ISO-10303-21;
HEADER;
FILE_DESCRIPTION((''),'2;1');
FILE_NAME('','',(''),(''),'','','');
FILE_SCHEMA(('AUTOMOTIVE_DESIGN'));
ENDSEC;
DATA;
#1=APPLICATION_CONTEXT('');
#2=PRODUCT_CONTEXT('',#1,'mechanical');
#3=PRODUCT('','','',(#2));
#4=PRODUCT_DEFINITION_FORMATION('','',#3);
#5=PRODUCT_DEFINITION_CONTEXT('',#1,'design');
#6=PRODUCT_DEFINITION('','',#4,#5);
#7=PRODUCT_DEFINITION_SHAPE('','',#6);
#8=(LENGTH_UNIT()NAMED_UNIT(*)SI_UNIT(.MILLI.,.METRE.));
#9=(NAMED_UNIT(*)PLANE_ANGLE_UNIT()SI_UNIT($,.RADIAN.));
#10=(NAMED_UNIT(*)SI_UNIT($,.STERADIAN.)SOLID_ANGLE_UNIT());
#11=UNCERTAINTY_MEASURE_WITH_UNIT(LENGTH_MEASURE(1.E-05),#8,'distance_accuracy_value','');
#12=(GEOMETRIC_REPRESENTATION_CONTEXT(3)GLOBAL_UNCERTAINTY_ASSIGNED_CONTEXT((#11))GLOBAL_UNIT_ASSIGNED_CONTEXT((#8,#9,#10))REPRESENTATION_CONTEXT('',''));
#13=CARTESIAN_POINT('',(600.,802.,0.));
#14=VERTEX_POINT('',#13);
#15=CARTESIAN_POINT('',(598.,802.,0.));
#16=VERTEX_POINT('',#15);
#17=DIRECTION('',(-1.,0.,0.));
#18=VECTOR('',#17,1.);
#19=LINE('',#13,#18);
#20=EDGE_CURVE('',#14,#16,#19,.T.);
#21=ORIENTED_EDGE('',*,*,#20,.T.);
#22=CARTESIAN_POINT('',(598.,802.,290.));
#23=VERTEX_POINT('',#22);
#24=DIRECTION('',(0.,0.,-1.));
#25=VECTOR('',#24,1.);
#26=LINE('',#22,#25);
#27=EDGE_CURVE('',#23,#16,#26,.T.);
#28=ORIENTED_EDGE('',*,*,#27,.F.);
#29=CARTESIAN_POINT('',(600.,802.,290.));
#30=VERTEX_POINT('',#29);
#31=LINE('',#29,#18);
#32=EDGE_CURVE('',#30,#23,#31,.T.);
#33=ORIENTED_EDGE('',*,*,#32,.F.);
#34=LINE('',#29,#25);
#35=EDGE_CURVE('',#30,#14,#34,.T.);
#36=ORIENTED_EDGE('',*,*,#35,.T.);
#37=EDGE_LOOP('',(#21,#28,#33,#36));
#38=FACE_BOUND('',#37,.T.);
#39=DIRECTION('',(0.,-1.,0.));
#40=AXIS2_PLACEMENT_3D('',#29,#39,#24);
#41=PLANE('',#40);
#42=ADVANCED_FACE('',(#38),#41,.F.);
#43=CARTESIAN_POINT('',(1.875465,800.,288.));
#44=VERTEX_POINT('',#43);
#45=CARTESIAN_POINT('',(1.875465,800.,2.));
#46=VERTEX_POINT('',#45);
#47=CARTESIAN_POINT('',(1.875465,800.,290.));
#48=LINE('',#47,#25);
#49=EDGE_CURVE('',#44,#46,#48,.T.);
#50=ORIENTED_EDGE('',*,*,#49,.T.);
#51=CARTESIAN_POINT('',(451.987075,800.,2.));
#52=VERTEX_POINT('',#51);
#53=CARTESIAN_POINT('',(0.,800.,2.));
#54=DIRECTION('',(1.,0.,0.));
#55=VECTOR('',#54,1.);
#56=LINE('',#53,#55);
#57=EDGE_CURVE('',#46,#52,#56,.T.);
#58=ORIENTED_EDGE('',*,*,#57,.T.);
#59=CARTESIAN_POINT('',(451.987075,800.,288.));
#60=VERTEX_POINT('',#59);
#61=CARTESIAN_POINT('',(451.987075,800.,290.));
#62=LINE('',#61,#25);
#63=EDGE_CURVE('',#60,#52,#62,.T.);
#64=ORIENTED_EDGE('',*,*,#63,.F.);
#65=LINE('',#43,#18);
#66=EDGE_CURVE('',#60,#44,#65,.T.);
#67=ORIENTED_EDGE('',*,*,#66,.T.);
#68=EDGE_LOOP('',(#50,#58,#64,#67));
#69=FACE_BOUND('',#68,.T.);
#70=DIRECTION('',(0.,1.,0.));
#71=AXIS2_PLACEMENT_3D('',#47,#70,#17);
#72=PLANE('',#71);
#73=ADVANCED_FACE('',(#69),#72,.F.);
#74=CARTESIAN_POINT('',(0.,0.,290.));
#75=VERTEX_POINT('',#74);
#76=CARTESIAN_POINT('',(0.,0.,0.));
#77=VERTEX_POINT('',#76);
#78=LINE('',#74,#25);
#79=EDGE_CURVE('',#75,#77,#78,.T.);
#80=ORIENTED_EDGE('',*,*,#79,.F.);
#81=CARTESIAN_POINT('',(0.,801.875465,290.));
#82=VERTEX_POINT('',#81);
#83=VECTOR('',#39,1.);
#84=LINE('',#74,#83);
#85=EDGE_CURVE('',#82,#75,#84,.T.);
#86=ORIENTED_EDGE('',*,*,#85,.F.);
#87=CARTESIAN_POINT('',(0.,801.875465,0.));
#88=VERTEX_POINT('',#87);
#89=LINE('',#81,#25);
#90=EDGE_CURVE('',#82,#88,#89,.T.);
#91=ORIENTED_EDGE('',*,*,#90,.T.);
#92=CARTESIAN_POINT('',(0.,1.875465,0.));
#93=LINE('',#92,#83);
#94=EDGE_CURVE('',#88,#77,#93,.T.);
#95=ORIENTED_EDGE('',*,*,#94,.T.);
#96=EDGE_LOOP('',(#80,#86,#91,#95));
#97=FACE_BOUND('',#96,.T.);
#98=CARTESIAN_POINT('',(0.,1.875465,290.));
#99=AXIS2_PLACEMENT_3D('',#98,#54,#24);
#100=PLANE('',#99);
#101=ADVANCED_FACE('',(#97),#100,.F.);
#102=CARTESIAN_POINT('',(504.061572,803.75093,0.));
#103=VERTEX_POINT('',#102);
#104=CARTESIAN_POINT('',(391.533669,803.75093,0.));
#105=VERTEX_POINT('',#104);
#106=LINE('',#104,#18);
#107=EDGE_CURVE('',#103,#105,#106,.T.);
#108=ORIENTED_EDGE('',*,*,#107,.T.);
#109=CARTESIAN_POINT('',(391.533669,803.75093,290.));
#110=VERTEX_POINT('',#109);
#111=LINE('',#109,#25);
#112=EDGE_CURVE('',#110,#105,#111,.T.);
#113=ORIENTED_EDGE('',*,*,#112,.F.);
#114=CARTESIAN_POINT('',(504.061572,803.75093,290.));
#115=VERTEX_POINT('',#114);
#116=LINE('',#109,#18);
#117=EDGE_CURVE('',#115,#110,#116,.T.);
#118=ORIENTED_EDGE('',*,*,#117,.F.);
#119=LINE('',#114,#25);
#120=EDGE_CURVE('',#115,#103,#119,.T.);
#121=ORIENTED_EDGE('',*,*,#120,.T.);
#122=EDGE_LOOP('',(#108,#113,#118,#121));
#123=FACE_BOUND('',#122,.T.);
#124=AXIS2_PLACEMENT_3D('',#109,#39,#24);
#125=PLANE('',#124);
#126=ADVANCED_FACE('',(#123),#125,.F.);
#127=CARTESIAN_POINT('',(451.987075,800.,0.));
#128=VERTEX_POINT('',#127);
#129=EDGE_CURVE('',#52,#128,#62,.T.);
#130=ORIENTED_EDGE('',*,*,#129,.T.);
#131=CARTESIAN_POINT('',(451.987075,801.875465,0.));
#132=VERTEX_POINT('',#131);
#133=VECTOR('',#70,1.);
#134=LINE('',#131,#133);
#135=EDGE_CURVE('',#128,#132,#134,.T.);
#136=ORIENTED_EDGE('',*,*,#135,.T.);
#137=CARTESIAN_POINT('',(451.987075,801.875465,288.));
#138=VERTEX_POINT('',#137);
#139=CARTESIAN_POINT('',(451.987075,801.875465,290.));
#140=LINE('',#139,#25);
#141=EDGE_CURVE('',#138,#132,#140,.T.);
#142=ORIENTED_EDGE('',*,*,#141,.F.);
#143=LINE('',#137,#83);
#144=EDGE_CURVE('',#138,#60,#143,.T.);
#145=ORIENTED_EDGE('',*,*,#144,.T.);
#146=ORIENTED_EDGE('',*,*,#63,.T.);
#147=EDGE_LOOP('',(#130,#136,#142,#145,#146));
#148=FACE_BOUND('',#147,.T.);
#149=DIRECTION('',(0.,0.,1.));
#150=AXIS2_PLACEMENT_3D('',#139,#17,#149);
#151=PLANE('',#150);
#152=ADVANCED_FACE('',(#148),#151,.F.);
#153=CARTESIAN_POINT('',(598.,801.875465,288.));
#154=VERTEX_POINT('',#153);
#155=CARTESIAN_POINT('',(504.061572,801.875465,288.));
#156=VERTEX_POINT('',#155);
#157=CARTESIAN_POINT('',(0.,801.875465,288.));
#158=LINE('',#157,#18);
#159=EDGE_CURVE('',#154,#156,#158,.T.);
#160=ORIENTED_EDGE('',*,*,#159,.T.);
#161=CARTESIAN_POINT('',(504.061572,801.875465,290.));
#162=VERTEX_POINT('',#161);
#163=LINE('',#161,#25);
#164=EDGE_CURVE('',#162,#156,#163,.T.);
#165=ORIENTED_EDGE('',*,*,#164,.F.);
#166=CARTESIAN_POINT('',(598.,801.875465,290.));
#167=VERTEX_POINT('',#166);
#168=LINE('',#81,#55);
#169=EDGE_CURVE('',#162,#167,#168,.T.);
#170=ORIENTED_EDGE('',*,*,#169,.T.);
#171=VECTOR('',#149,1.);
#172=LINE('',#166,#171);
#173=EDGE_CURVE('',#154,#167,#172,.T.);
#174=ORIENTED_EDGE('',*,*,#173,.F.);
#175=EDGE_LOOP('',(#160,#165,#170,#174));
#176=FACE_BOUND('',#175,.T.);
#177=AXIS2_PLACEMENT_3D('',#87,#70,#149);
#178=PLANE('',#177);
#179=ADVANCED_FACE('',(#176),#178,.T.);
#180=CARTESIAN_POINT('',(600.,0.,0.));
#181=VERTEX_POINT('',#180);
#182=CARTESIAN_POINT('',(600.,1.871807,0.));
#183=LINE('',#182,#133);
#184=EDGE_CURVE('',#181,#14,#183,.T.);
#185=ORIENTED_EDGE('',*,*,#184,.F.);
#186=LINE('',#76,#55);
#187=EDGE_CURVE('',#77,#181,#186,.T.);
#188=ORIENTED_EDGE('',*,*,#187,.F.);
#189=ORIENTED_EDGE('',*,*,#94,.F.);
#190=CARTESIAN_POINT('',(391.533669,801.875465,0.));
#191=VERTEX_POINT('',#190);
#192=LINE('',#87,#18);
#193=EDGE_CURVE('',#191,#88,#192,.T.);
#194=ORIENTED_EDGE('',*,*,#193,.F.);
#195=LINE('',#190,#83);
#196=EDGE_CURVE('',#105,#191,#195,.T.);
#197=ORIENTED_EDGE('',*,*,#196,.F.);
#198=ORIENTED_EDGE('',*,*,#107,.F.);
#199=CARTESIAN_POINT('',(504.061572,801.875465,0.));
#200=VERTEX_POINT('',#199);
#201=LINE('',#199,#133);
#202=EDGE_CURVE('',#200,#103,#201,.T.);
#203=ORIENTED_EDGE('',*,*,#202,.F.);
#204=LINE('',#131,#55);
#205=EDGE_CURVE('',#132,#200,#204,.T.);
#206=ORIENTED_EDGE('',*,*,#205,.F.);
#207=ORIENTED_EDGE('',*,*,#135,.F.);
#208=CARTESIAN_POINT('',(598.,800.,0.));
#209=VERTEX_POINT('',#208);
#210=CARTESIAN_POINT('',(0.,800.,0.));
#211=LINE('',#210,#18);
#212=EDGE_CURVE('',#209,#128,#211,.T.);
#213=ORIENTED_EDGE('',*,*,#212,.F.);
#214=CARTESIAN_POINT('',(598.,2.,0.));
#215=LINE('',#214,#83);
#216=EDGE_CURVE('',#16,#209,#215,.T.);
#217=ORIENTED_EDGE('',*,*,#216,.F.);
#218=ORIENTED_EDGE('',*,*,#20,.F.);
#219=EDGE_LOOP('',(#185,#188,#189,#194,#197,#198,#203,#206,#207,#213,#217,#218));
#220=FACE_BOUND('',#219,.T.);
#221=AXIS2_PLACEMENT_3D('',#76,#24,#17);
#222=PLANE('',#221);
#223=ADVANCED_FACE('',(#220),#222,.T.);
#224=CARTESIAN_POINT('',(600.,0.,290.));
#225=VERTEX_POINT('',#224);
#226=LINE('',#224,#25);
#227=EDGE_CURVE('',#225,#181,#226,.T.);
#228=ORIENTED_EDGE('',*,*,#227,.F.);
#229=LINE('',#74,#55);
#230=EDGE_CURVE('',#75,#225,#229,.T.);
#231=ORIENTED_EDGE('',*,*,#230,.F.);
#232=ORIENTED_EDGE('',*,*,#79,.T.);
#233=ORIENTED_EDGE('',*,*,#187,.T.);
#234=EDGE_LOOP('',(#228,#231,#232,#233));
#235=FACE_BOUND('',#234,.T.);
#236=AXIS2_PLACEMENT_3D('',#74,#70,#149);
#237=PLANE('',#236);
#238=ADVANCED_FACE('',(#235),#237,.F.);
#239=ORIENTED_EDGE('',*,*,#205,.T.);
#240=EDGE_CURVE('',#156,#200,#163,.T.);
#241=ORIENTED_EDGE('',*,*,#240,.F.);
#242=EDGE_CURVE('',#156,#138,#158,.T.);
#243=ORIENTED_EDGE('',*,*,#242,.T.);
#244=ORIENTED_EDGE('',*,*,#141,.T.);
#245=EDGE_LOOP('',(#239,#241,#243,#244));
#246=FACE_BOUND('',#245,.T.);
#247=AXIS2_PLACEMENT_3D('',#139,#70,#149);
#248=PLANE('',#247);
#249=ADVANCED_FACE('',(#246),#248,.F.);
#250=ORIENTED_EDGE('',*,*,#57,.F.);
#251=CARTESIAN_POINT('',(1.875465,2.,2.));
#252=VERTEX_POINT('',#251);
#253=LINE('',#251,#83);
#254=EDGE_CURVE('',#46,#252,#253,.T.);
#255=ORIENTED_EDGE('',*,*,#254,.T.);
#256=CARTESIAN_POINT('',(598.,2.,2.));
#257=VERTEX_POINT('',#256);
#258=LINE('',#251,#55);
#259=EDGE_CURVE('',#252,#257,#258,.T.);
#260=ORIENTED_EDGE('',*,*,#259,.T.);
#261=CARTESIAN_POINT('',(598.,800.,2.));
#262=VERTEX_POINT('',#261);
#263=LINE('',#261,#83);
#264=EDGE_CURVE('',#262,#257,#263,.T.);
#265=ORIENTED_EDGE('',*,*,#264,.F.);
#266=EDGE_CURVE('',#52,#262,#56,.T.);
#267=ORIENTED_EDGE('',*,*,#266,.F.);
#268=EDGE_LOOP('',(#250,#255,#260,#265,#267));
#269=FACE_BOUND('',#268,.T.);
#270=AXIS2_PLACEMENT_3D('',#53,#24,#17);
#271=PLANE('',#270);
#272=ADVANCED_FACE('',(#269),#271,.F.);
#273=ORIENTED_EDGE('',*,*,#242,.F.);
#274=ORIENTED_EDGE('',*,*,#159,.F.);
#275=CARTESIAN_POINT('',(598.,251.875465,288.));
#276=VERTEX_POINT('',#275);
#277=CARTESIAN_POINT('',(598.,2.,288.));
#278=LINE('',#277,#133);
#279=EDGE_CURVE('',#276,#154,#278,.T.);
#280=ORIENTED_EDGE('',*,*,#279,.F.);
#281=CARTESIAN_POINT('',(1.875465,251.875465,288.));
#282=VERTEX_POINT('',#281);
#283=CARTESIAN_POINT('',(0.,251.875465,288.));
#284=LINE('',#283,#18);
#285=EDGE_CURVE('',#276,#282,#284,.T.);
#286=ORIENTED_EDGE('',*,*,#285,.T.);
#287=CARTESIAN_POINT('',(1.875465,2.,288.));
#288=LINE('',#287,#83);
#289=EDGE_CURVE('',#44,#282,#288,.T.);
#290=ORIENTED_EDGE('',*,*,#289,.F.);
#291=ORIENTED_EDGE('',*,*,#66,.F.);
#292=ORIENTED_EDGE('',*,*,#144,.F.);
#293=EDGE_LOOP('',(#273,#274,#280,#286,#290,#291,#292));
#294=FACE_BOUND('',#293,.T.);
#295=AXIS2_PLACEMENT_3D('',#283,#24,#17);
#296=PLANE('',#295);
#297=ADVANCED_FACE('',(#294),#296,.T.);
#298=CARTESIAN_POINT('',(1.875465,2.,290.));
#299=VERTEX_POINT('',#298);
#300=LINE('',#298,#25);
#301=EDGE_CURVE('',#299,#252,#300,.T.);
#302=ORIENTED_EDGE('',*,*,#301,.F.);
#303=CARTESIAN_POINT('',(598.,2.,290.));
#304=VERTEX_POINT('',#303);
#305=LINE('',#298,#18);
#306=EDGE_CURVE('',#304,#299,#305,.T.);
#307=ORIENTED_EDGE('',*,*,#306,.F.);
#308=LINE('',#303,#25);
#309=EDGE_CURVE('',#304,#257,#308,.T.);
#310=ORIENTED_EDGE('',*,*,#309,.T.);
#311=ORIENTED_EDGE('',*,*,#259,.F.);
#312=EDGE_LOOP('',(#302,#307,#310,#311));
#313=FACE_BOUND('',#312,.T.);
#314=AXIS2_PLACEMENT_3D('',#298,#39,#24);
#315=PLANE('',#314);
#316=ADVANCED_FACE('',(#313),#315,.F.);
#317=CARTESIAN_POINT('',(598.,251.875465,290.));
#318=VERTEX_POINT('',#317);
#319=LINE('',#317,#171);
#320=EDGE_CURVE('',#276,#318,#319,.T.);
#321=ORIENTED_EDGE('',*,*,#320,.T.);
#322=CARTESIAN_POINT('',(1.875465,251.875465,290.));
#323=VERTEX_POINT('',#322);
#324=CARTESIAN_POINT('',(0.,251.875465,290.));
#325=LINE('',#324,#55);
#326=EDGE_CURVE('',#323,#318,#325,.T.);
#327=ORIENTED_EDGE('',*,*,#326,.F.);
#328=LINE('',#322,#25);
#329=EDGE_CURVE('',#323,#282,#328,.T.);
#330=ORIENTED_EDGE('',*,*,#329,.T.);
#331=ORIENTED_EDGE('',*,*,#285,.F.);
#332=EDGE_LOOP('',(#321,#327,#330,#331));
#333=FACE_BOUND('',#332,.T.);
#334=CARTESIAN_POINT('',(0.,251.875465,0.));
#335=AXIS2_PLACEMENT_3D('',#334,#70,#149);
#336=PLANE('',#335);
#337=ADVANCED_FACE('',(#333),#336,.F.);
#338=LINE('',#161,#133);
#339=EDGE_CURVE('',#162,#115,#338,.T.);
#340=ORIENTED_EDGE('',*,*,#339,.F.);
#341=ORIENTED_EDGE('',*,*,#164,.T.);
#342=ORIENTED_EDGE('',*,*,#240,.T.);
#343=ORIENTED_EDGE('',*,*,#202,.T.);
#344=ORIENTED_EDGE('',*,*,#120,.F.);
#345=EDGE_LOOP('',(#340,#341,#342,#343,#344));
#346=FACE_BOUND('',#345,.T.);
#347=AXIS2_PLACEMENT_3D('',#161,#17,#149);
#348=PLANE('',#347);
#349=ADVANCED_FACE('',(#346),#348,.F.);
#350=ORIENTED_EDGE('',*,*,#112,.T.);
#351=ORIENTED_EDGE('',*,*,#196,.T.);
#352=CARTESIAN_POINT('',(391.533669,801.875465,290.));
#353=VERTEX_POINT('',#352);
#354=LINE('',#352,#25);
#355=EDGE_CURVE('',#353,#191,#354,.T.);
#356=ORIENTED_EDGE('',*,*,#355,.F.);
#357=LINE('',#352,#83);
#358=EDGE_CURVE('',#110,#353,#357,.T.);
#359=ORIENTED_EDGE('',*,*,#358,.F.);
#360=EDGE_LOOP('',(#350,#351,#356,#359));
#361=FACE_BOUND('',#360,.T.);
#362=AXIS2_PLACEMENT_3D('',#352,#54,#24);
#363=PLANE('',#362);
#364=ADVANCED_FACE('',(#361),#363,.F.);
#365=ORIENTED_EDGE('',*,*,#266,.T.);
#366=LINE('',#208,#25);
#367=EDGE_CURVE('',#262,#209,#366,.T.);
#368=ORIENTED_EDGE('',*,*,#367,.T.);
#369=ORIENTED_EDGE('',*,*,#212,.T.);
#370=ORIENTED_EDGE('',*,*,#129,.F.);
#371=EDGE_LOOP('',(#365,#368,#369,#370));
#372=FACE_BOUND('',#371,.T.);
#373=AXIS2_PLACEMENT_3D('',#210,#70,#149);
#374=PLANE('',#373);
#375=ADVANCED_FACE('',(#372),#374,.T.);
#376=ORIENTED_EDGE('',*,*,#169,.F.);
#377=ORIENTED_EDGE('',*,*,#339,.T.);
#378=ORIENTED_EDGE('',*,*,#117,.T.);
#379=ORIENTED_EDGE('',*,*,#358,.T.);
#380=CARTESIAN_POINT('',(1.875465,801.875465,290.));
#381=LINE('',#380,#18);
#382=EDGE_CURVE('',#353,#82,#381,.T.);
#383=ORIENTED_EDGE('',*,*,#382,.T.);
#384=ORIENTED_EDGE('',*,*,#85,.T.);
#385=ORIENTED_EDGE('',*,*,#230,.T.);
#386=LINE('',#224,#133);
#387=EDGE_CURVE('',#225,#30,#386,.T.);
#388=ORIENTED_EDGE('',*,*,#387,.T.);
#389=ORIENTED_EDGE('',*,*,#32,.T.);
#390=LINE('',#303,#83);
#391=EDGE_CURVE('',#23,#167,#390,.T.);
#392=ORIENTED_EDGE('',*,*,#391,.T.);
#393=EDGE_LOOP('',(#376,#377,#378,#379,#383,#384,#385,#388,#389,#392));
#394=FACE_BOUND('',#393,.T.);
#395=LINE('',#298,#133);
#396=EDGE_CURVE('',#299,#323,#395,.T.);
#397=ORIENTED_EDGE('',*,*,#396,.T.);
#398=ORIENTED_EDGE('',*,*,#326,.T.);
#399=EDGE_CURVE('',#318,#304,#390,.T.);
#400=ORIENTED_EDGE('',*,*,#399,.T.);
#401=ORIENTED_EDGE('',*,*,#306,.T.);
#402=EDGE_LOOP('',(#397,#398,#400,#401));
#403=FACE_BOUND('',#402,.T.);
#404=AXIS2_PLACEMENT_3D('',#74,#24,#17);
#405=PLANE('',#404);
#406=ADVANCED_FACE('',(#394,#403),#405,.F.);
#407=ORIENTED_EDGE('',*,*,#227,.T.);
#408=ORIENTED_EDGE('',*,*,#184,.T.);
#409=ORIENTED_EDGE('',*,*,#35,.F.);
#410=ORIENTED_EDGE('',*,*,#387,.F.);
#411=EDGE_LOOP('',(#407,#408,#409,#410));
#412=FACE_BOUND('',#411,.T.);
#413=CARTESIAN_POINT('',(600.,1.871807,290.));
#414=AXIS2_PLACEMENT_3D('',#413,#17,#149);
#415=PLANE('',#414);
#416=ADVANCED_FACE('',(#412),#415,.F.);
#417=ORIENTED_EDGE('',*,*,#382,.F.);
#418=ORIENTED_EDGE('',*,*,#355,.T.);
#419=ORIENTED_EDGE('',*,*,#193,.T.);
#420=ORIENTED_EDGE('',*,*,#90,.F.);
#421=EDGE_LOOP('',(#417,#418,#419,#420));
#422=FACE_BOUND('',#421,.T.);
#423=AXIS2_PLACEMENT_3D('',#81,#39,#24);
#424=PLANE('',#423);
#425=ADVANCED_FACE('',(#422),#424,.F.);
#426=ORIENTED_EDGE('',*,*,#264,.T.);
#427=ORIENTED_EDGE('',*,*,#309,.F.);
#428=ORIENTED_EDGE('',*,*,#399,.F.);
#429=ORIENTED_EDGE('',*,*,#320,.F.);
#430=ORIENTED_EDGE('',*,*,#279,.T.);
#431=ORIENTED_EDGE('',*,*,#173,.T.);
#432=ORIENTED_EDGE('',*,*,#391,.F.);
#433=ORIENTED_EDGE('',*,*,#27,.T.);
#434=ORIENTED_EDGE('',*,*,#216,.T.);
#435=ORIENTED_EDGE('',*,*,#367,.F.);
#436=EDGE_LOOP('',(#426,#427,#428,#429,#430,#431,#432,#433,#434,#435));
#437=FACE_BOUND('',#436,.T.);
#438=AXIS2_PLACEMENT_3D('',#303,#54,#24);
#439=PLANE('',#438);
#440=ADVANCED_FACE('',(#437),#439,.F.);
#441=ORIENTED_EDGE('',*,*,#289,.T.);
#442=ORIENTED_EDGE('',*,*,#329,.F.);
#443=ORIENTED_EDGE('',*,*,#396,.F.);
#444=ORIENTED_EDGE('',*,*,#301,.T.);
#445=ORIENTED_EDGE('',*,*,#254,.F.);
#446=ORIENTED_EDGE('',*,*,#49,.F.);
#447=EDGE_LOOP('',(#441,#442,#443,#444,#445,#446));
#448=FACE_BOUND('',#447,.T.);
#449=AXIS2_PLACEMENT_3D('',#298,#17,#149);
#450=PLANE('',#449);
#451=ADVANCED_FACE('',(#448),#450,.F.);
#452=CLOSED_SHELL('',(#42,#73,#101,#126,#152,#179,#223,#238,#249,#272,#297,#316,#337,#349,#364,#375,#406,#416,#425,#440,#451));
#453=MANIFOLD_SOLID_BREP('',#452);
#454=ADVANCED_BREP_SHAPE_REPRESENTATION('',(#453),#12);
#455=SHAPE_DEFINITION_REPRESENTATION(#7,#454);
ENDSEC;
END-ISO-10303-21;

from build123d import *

# Parameters (mm, degrees)
EXTRUDE_1_DEPTH = 290
SKETCH_2_W      = 598
SKETCH_2_H      = 2
EXTRUDE_2_DEPTH = 800
EXTRUDE_START   = 801.875465
SKETCH_3_W      = 600
SKETCH_3_H      = 2
EXTRUDE_3_DEPTH = 550


with BuildPart() as part:
    # 草图1 → 凸台-拉伸1 (new body)
    with BuildSketch(Plane.XY):
        Polygon((0, 801.875465042), (1.875465042, 801.875465042), (391.533669143, 801.875465042), (391.533669143, 803.750930084), (504.06157166, 803.750930084), (504.06157166, 801.875465042), (451.987075109, 801.875465042), (451.987075109, 800), (1.875465042, 800), (1.875465042, 2), (598, 2), (598, 802), (600, 802), (600, 1.871806921), (600, 0), (0, 0), (0, 1.875465042), align=None)
    extrude(amount=EXTRUDE_1_DEPTH)

    # 草图2 → 凸台-拉伸2 (add)
    with BuildSketch(Plane(origin=(0, 0, 0), x_dir=(1, 0, 0), z_dir=(0, 1, 0))):
        with Locations((299, -1)):
            Rectangle(SKETCH_2_W, SKETCH_2_H)
    extrude(amount=EXTRUDE_2_DEPTH)

    # 草图3 → 凸台-拉伸3 (add)
    with BuildSketch(Plane(origin=(0, 0, 0), x_dir=(1, 0, 0), z_dir=(0, 1, 0)).offset(EXTRUDE_START)):
        with Locations((300, -289)):
            Rectangle(SKETCH_3_W, SKETCH_3_H)
    extrude(amount=-EXTRUDE_3_DEPTH)


solid = part.part
